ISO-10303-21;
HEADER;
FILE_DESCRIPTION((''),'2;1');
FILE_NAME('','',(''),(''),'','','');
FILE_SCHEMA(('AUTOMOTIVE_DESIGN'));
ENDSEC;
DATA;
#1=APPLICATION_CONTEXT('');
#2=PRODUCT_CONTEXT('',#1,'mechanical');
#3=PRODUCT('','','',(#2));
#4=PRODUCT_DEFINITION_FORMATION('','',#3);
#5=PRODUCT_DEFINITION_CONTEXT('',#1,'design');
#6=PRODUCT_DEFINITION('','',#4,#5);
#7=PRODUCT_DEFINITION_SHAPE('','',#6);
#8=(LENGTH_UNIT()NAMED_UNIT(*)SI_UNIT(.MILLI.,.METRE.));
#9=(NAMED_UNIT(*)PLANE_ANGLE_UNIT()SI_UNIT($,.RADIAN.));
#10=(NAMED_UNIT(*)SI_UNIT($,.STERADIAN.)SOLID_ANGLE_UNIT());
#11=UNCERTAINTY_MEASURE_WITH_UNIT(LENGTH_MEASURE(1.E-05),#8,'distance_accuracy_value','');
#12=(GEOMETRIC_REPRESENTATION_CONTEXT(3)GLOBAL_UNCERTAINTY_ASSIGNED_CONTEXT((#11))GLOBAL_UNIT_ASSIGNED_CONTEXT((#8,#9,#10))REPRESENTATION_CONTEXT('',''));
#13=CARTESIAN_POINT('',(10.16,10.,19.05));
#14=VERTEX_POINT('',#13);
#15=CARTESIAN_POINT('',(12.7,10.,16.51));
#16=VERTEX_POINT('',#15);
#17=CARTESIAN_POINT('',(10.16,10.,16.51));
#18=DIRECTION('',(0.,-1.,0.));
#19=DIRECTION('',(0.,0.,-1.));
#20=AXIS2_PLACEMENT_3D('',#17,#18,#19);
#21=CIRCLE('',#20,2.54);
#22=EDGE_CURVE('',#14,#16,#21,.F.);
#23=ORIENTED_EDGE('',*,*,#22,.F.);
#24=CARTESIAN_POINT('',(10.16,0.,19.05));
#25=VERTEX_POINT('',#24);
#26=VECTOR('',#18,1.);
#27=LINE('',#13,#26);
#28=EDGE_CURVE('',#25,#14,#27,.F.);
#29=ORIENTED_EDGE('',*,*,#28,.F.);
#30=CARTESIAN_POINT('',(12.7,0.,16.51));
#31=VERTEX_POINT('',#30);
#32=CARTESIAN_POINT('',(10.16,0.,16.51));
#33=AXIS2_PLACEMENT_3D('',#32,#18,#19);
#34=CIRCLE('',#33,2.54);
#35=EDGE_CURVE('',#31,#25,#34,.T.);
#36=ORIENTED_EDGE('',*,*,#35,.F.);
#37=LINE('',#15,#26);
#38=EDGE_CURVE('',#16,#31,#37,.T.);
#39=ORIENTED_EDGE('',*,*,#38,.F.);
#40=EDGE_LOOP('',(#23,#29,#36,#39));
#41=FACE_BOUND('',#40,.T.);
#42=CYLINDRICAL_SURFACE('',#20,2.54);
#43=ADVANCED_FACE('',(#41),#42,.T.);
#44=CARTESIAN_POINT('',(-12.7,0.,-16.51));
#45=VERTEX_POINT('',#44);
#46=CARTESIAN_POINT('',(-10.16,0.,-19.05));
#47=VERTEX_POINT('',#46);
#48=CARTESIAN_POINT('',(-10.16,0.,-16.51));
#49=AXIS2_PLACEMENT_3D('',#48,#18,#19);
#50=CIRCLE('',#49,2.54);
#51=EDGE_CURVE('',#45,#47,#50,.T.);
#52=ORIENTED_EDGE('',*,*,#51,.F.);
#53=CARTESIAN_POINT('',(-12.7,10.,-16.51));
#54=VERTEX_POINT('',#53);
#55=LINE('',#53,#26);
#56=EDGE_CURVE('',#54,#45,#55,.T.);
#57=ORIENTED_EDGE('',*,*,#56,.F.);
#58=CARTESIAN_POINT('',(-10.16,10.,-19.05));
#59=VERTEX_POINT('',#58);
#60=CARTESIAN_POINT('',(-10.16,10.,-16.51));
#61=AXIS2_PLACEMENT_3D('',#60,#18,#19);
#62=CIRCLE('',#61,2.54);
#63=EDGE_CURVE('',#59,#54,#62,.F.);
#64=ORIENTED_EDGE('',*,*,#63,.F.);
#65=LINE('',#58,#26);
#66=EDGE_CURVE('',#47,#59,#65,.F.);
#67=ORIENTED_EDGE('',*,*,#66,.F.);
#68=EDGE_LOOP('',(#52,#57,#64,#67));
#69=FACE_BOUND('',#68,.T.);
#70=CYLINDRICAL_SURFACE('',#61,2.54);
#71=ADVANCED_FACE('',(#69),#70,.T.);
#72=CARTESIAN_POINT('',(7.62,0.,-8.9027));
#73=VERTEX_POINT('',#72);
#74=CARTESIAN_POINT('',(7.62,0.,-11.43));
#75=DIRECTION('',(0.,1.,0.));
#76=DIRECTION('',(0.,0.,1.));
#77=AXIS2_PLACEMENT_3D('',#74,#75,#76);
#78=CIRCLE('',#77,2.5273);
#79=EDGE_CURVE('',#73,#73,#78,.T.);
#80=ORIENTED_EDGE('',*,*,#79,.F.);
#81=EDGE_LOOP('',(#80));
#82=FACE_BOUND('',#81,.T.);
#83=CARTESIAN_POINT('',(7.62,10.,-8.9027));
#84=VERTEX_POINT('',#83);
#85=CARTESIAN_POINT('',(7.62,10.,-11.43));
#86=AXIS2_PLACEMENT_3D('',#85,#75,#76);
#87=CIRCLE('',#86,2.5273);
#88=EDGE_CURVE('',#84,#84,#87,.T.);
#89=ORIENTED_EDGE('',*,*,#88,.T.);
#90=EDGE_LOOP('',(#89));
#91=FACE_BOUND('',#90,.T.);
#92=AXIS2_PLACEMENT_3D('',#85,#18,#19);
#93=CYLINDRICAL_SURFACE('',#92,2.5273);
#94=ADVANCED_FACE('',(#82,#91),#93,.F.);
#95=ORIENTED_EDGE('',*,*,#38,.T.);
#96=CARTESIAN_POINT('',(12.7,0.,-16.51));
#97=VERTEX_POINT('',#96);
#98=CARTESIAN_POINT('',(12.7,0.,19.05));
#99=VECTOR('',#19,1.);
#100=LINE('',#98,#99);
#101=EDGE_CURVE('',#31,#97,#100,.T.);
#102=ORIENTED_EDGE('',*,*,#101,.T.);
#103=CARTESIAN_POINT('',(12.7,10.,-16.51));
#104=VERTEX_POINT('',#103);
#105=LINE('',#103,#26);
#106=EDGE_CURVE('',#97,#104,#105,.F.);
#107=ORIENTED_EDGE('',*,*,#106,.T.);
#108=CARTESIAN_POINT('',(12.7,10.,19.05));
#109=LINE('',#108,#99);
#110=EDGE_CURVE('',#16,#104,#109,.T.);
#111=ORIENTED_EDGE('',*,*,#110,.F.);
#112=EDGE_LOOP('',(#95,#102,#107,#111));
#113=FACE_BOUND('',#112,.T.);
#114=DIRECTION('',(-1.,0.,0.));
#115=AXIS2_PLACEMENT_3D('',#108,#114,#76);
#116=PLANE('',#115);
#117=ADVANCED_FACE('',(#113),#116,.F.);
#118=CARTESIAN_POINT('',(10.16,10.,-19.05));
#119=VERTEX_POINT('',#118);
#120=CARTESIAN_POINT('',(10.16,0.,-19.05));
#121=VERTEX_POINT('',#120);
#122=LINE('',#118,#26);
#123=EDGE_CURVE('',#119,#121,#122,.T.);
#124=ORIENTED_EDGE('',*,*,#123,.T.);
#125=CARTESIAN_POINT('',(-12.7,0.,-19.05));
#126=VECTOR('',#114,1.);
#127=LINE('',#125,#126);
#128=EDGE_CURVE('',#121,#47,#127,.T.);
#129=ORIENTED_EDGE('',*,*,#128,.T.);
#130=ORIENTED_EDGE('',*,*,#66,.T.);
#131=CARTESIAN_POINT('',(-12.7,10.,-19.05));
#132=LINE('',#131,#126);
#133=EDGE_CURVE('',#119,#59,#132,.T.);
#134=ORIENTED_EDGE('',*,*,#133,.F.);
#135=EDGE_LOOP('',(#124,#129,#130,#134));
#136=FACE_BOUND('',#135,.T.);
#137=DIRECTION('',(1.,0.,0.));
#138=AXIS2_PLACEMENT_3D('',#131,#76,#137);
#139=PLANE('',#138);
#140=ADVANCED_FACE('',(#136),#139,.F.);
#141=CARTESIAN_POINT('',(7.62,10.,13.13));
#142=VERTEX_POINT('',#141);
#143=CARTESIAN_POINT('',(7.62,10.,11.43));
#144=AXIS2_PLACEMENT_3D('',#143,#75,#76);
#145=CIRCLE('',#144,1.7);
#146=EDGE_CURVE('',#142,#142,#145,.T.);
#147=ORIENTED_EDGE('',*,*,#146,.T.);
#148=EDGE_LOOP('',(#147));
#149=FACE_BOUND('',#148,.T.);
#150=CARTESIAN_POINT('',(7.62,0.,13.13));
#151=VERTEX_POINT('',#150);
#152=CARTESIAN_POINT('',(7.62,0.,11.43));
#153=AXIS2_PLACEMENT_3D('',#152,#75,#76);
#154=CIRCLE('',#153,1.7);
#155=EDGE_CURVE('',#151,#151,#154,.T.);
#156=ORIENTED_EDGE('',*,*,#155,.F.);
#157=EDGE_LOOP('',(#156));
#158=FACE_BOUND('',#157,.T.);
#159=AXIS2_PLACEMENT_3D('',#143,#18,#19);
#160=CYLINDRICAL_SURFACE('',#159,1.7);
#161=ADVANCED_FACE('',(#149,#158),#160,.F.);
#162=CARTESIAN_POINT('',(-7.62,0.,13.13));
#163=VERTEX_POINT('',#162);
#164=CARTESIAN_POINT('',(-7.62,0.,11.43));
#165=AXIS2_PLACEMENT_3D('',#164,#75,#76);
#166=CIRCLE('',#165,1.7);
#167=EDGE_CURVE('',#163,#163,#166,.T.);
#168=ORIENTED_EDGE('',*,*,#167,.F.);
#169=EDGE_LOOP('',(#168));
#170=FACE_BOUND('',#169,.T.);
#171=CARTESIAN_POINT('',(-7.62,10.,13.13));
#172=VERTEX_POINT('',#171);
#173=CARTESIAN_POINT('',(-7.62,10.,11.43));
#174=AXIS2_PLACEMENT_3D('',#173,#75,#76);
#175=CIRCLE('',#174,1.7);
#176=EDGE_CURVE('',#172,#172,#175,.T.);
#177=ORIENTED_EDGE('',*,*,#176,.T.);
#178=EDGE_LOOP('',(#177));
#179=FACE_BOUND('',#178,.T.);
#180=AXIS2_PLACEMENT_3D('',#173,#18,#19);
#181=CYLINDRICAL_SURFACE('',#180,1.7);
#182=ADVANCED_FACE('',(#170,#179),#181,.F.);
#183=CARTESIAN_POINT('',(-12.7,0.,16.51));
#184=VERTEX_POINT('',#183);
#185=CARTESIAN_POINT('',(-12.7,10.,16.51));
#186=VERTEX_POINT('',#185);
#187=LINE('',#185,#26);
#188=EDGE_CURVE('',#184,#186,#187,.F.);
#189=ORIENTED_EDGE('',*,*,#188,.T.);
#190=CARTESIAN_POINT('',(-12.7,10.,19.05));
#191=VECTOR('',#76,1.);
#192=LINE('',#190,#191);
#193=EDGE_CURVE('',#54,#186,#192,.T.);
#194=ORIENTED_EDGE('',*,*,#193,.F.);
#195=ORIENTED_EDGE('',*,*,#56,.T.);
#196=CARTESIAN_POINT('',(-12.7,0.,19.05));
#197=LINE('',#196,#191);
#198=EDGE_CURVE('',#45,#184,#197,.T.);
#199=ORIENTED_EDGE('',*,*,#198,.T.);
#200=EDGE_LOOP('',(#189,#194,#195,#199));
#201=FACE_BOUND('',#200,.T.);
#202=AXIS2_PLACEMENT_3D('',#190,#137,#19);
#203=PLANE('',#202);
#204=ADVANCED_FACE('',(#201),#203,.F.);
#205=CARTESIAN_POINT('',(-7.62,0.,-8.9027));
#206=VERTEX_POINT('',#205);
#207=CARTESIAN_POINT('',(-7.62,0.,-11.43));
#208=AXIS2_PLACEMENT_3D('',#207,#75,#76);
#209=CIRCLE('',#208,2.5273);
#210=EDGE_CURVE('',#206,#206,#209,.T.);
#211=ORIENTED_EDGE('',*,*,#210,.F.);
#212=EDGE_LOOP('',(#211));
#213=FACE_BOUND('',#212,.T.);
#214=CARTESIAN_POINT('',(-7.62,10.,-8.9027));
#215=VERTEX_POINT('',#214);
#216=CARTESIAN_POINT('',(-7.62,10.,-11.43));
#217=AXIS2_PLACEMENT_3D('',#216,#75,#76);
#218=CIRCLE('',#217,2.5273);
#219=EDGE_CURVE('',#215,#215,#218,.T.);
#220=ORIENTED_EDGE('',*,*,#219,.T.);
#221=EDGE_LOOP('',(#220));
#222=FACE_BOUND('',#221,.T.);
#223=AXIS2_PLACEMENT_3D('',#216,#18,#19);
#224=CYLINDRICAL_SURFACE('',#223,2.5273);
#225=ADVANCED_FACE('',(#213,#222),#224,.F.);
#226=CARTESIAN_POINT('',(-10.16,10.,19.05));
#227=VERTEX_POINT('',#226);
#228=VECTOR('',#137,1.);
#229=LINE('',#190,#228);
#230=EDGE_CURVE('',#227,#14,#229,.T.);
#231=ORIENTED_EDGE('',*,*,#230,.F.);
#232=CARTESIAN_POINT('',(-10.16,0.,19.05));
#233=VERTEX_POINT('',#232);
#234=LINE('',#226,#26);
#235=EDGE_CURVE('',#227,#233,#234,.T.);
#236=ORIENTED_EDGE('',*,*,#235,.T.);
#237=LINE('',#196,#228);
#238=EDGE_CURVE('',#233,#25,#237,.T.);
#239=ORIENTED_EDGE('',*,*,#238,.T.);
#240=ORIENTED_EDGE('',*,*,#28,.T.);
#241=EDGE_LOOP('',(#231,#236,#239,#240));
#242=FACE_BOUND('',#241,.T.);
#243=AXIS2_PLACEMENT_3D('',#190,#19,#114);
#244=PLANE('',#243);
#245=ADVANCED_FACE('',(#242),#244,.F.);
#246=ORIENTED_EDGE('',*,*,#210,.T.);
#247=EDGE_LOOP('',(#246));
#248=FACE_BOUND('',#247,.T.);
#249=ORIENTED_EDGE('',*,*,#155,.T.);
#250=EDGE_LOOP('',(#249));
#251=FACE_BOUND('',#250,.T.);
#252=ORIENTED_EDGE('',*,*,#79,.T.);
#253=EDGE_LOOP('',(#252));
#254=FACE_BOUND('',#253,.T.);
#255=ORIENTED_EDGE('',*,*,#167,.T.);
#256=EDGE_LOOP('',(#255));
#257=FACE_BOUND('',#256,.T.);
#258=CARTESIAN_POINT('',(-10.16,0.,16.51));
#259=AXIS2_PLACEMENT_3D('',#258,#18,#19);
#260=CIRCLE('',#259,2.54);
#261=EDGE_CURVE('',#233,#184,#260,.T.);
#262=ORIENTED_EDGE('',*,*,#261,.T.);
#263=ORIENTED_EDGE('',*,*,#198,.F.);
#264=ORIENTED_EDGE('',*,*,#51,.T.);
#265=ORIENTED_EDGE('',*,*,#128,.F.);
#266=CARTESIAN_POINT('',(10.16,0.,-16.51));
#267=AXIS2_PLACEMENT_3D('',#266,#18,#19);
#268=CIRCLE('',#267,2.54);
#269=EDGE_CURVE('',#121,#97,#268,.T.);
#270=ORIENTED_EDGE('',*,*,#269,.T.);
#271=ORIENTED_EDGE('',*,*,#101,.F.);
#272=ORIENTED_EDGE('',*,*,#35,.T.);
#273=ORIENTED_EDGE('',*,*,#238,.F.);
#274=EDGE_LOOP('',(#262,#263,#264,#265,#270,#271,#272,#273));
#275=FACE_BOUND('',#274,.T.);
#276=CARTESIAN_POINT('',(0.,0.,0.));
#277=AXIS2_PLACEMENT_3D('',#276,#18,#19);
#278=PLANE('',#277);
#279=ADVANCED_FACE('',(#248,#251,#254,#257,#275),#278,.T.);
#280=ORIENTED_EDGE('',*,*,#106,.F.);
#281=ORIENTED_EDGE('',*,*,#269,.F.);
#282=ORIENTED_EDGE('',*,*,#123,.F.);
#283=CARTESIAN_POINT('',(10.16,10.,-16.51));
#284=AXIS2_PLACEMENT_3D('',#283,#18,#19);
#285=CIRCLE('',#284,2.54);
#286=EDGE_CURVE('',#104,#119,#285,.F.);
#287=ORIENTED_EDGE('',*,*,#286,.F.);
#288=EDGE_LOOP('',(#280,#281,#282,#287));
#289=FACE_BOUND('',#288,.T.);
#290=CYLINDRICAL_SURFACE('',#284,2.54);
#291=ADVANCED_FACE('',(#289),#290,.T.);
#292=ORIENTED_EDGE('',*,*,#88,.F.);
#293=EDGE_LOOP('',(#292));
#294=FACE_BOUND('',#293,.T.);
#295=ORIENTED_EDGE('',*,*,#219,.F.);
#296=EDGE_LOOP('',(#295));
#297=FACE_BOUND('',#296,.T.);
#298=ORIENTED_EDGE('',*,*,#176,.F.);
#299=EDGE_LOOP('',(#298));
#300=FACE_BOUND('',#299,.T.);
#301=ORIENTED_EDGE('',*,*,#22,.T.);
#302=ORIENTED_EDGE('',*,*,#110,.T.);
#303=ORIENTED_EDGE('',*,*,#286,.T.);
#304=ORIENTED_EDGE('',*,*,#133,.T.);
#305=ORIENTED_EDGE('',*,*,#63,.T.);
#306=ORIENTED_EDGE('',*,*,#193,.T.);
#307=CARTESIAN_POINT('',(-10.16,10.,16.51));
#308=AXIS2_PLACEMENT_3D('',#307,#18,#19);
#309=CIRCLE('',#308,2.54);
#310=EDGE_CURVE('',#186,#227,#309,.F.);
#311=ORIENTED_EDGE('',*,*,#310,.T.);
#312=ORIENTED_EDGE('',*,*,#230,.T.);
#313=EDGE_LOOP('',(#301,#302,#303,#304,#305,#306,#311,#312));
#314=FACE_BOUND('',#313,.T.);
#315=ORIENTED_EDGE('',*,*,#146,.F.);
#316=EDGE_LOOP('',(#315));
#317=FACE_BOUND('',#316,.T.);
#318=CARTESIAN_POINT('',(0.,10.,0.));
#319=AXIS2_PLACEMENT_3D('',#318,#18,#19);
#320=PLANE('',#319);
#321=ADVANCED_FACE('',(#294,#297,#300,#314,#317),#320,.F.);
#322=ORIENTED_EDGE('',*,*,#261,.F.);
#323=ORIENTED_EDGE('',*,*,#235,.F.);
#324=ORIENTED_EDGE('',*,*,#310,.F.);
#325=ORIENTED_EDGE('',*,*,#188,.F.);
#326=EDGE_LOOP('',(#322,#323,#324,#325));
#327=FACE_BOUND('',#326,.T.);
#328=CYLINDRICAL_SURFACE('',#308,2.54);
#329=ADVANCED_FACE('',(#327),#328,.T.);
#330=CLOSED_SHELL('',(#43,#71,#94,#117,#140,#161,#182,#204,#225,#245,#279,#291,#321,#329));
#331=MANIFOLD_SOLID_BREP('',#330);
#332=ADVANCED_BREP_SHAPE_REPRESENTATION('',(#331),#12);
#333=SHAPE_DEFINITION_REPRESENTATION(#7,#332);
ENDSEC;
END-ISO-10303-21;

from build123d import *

# Parameters (mm, degrees)
SKETCH1_W           = 25.4
SKETCH1_H           = 38.1
SKETCH1_R           = 1.7
SKETCH1_R_2         = 2.5273
BOSS_EXTRUDE1_DEPTH = 10
FILLET1_R           = 2.54


with BuildPart() as part:
    # Sketch1 → Boss-Extrude1 (new body)
    with BuildSketch(Plane(origin=(0, 0, 0), x_dir=(1, 0, 0), z_dir=(0, 1, 0))):
        Rectangle(SKETCH1_W, SKETCH1_H)
        with Locations(Location((-7.62, -11.43, 0), (0, 0, 270))):
            Circle(SKETCH1_R, mode=Mode.SUBTRACT)
        with Locations(Location((7.62, -11.43, 0), (0, 0, 270))):
            Circle(SKETCH1_R, mode=Mode.SUBTRACT)
        with Locations(Location((-7.62, 11.43, 0), (0, 0, 270))):
            Circle(SKETCH1_R_2, mode=Mode.SUBTRACT)
        with Locations(Location((7.62, 11.43, 0), (0, 0, 270))):
            Circle(SKETCH1_R_2, mode=Mode.SUBTRACT)
    extrude(amount=BOSS_EXTRUDE1_DEPTH)

    # Fillet1
    fillet1_edges = [part.edges().sort_by_distance(p)[0] for p in [
        (12.7, 5, 19.05),
        (-12.7, 5, 19.05),
        (-12.7, 5, -19.05),
        (12.7, 5, -19.05),
    ]]
    fillet(fillet1_edges, radius=FILLET1_R)


solid = part.part
